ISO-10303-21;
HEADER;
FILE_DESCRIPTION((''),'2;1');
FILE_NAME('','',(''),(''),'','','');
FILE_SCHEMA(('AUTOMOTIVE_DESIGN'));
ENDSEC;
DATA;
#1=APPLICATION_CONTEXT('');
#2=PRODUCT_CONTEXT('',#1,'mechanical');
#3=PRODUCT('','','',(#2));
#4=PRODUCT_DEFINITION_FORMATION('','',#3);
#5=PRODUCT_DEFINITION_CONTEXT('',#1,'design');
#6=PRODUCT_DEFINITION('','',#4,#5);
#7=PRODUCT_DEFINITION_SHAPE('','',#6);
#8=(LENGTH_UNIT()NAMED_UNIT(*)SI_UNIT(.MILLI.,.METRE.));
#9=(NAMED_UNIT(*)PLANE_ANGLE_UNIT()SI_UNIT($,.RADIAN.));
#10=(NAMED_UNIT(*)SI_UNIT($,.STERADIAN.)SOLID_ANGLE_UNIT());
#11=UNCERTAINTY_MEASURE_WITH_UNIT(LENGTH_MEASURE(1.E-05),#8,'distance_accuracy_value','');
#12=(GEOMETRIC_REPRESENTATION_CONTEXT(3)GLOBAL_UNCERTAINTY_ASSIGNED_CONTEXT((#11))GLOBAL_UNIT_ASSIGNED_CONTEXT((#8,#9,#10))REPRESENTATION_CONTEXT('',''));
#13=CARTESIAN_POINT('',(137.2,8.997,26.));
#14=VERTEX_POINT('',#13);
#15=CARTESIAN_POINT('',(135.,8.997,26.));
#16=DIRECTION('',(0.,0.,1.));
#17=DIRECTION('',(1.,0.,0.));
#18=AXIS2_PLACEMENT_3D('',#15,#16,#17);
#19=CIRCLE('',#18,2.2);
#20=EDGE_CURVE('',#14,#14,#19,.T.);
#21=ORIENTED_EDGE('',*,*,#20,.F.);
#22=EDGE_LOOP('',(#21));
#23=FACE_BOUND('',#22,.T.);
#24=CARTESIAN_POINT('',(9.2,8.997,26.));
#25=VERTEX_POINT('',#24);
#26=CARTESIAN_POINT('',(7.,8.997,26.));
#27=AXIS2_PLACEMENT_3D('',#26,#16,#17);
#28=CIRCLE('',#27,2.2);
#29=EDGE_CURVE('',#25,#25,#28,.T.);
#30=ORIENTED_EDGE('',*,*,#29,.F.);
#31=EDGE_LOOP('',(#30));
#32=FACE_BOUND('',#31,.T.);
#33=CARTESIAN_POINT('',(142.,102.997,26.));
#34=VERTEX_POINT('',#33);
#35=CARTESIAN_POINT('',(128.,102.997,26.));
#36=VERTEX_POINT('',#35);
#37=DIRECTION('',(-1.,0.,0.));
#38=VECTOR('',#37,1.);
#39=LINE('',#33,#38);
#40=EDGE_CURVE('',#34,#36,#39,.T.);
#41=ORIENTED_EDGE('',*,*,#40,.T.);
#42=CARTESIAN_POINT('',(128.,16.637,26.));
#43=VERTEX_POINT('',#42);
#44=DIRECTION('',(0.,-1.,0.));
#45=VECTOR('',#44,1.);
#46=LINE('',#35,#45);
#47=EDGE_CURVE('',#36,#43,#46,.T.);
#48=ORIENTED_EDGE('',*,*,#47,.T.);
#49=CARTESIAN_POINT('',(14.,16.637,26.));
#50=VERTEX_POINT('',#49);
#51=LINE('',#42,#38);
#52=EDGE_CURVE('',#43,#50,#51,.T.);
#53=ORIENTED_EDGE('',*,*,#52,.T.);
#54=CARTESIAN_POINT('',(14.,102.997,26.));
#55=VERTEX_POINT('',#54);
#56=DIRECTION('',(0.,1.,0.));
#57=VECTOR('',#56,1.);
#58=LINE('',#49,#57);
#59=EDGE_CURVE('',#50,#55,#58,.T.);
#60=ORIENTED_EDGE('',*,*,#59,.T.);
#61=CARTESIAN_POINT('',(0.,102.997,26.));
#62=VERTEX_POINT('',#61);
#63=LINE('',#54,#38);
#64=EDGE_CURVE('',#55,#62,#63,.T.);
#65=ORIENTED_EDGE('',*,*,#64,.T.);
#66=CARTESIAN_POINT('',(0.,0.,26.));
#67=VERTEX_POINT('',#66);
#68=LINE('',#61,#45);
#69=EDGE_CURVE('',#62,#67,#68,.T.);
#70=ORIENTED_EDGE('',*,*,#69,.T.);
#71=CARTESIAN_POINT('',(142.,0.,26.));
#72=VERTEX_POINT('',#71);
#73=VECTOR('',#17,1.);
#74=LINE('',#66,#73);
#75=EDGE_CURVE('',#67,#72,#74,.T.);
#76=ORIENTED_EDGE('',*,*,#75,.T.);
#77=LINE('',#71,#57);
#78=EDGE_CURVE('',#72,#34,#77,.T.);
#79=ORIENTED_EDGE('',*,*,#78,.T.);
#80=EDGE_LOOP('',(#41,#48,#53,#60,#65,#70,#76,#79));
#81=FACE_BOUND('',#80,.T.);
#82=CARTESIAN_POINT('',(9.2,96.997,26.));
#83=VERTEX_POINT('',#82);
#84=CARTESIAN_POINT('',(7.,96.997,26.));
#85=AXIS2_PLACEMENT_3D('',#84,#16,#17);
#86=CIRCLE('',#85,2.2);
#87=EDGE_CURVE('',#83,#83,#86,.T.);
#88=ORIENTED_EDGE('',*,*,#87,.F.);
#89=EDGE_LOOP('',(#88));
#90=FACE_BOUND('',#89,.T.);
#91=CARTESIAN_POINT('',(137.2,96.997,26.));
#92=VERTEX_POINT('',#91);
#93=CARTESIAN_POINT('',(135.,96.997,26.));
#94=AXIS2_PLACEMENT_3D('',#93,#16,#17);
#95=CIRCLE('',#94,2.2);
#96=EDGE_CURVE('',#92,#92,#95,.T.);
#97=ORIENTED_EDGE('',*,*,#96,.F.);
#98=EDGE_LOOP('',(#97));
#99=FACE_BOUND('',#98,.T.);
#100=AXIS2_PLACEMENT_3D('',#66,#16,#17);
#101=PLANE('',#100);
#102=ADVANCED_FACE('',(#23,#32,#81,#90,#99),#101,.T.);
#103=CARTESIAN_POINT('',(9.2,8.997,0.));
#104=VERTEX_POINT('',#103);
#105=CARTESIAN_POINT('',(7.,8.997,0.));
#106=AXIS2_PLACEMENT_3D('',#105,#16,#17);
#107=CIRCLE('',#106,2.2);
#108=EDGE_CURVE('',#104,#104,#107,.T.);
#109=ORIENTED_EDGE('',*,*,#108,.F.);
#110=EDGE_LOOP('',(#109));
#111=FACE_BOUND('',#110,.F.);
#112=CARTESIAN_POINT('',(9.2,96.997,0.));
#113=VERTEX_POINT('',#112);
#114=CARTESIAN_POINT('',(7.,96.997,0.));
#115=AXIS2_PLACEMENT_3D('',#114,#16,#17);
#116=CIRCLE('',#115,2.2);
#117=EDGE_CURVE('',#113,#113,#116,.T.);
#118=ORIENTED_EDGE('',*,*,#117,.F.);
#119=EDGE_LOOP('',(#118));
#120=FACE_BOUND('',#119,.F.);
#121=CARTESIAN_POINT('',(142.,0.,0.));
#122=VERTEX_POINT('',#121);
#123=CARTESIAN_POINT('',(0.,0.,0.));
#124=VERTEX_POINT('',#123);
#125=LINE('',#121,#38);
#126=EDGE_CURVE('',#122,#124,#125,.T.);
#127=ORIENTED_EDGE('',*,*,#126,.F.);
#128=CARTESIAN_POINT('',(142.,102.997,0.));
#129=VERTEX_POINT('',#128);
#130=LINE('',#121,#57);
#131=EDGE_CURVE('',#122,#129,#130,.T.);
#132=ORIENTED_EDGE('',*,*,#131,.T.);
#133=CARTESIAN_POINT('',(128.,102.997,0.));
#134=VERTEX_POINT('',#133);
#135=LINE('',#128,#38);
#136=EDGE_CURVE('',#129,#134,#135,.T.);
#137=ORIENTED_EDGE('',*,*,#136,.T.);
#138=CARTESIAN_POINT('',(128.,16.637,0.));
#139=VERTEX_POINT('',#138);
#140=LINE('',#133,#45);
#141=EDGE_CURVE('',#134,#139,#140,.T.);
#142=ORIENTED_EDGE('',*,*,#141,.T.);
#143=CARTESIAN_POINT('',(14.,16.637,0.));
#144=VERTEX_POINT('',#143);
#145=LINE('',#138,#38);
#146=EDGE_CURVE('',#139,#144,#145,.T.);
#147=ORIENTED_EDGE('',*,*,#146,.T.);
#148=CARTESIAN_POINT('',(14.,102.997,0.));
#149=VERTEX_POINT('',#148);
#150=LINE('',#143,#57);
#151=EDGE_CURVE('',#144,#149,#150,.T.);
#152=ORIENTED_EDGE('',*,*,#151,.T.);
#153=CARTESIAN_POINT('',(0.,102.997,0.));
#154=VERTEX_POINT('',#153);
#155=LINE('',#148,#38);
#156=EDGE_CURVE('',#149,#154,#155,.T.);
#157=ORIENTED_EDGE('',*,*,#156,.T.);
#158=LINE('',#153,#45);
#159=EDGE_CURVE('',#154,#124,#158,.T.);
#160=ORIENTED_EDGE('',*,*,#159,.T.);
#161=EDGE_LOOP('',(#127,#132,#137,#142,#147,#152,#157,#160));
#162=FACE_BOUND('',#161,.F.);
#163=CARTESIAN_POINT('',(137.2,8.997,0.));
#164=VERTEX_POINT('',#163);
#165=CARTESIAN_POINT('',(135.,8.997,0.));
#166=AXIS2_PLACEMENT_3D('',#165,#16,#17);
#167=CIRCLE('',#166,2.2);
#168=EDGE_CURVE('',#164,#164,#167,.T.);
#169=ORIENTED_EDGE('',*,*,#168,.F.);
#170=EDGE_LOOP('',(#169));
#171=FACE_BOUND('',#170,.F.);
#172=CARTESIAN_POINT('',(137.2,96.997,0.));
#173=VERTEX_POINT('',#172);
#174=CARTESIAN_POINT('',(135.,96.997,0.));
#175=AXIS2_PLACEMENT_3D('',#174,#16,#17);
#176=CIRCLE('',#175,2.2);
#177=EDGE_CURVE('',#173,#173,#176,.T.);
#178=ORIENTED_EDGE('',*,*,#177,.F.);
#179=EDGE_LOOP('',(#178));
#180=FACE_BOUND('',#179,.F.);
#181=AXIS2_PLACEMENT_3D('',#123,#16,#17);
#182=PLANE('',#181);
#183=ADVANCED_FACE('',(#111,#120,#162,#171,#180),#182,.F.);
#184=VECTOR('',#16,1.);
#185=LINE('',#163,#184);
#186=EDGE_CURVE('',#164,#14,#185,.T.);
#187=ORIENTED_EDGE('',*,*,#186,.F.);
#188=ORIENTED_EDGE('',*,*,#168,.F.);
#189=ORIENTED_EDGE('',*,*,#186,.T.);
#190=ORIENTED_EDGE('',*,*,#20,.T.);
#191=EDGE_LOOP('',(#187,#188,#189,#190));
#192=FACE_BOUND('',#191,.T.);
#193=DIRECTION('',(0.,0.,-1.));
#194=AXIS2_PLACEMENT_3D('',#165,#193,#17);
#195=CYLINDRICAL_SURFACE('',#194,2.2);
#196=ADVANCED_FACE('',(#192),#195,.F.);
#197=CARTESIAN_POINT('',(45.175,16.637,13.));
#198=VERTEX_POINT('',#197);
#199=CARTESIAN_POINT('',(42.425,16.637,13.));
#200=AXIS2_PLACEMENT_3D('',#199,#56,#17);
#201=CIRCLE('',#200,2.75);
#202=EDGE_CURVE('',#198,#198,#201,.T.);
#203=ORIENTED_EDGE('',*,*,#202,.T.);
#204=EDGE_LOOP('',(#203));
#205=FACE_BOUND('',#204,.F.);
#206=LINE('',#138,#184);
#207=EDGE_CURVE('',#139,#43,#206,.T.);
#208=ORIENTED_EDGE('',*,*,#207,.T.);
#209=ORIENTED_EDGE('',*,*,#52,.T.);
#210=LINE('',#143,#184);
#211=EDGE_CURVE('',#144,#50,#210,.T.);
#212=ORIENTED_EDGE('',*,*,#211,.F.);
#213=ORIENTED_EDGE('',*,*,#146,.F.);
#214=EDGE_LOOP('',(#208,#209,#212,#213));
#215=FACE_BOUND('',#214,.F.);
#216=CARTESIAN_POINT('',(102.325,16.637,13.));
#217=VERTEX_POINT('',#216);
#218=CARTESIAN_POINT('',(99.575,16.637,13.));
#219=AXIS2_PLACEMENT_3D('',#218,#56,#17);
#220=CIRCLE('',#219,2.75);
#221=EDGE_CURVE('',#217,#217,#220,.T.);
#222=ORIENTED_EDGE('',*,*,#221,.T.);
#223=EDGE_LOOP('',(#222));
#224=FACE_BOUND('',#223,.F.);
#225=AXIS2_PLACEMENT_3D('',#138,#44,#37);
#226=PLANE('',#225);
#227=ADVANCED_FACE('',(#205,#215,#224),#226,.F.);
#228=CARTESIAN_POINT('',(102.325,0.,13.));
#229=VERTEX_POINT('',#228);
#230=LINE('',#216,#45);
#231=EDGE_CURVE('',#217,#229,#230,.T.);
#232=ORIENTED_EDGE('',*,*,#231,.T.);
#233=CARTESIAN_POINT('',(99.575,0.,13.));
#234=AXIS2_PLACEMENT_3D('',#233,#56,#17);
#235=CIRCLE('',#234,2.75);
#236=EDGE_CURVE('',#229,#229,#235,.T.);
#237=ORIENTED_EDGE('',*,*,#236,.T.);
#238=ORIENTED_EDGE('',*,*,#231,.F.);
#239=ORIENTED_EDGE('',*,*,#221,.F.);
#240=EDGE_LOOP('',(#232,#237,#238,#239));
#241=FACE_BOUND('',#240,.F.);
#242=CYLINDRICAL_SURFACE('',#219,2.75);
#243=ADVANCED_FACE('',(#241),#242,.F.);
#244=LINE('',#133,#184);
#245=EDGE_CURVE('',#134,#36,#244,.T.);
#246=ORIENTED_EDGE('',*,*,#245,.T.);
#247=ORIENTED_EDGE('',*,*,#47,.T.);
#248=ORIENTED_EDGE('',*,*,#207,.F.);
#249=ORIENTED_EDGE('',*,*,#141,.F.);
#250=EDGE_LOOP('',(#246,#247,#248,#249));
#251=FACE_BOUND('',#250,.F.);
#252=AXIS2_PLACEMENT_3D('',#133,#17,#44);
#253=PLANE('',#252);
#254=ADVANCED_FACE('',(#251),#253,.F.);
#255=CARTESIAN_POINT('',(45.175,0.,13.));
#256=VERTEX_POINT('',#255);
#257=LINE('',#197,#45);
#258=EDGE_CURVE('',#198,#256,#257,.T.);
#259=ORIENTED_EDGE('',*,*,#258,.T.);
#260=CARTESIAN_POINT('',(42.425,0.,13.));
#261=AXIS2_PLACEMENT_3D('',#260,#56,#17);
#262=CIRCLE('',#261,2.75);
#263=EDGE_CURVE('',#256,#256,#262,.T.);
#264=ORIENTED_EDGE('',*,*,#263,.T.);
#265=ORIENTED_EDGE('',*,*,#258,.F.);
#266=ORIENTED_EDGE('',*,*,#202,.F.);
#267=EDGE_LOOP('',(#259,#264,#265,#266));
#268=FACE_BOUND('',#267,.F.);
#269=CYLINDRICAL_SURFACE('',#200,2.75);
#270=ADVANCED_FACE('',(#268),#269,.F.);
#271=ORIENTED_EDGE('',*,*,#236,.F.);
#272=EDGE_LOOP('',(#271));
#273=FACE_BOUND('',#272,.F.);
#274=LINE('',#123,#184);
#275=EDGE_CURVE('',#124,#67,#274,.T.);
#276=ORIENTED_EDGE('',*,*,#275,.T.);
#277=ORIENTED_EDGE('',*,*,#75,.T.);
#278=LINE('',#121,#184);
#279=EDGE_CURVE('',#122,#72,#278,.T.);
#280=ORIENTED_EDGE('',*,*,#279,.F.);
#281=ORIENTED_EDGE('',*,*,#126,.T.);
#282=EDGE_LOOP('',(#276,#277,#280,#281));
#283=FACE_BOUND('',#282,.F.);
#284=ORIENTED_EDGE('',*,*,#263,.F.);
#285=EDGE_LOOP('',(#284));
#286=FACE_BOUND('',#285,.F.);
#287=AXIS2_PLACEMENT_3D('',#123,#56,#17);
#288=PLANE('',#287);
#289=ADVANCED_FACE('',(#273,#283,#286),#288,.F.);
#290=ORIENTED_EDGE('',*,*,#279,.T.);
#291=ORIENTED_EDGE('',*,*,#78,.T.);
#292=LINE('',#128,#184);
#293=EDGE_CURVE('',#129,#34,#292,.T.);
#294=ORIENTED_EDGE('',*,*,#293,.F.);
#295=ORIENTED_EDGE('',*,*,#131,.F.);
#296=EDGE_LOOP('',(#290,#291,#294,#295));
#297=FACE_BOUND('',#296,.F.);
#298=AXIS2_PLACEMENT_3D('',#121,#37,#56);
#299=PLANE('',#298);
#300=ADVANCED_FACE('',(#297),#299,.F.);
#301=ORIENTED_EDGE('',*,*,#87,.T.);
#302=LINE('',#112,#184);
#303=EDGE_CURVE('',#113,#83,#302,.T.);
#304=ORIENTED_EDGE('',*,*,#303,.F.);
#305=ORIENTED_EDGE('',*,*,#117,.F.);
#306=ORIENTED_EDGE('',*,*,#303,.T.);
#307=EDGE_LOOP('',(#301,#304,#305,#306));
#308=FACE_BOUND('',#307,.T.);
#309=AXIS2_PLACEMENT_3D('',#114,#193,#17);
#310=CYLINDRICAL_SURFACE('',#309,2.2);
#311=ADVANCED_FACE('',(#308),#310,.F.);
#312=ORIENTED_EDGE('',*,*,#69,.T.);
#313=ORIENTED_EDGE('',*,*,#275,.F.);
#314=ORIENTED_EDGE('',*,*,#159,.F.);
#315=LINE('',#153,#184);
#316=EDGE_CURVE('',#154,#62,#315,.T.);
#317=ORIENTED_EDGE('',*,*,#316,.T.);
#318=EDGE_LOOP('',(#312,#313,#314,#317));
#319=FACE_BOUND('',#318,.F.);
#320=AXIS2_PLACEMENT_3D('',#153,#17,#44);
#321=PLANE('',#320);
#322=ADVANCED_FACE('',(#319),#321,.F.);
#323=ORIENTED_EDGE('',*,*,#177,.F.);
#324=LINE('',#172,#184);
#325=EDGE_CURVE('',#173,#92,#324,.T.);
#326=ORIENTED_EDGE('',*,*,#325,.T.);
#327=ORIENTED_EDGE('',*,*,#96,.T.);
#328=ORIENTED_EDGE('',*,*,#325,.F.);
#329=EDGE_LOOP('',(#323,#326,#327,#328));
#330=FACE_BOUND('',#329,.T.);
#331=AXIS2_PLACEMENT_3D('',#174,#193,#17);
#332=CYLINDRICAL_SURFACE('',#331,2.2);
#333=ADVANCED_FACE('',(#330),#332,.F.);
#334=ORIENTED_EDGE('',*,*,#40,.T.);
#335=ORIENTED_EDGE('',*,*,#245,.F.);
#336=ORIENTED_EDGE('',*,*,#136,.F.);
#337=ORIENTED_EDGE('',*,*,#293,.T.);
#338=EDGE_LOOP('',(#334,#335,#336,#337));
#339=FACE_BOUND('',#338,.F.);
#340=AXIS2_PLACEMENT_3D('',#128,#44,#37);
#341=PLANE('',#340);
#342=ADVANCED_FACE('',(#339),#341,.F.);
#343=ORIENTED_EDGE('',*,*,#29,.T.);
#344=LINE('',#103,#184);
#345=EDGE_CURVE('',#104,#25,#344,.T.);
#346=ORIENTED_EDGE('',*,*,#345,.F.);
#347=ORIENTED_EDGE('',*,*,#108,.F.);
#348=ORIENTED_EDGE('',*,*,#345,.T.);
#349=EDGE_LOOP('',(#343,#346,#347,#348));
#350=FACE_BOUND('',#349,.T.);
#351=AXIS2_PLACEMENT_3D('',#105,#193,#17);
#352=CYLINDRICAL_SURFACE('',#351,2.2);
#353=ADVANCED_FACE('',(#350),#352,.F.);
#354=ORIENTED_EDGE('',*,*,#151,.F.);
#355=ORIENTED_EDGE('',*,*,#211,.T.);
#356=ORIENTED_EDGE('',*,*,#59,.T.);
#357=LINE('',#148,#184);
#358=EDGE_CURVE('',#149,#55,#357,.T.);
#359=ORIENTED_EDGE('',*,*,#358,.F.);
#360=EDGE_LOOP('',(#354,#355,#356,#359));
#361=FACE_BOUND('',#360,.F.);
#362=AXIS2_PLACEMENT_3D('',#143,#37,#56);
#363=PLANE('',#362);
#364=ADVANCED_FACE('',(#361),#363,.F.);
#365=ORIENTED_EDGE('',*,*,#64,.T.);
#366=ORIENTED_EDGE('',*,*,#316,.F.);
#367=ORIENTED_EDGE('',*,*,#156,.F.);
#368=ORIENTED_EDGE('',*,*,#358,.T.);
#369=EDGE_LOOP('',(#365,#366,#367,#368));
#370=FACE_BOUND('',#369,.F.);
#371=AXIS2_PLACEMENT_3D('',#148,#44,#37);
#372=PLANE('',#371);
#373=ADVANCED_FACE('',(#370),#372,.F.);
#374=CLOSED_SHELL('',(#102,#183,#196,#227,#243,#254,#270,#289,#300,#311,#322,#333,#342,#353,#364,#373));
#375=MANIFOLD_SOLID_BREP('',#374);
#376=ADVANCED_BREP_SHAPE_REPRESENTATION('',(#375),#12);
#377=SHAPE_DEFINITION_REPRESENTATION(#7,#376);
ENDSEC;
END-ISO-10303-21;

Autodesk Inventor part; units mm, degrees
ref_plane "YZ Plane" through (0, 0, 0) normal (1, 0, 0) x (0, 1, 0)
ref_plane "XZ Plane" through (0, 0, 0) normal (0, 1, 0) x (-1, 0, 0)
ref_plane "XY Plane" through (0, 0, 0) normal (0, 0, 1) x (1, 0, 0)
sketch "Sketch1" plane through (0, 0, 0) normal (0, 0, 1) x (1, 0, 0)
  line L0 (0, 102.997) -> (0, 0)
  line L1 (0, 0) -> (142, 0)
  line L2 (142, 0) -> (142, 102.997)
  line L3 (142, 102.997) -> (128, 102.997)
  line L4 (128, 102.997) -> (128, 16.637)
  line L5 (128, 16.637) -> (14, 16.637)
  line L6 (14, 16.637) -> (14, 102.997)
  line L7 (14, 102.997) -> (0, 102.997)
  circle A0 centre (7, 96.997) radius 2.2
  circle A1 centre (135, 96.997) radius 2.2
  circle A2 centre (7, 8.997) radius 2.2
  circle A3 centre (135, 8.997) radius 2.2
  line L8 (14, 102.997) -> (128, 102.997)
  line L9 (28, 102.997) -> (114, 102.997)
  line L10 (114, 0) -> (28, 0)
  line L11 (135, 96.997) -> (135, 8.997) construction
  line L12 (7, 96.997) -> (7, 8.997) construction
  point P0 (71, 102.997)
  dimension "d0" = 102.997
  dimension "d3" = 14
  dimension "d4" = 86.36
  dimension "d44" = 4.4
  dimension "d45" = 4.4
  dimension "d46" = 128
  dimension "d47" = 7
  dimension "d48" = 14
  dimension "d49" = 7
  dimension "d50" = 114
  dimension "d51" = 4.4
  dimension "d52" = 4.4
  dimension "d53" = 88
  dimension "d54" = 88
  dimension "d55" = 6
  dimension "d56" = 6
  dimension "d84" = 128
extrude "Extrusion1" add sketch "Sketch1" along normal blind 26 contours L7 L6 L5 L4 L3 L2 L1 L0
sketch "Sketch5" plane through (14, 16.637, 0) normal (0, 1, 0) x (1, 0, 0)
  line L0 (0, 0) -> (0, -26) projected
  line L1 (114, 0) -> (114, -26) projected
  line L2 (114, 0) -> (0, 0) construction
  line L3 (57, 0) -> (57, -26) construction
  line L4 (0, -13) -> (114, -13) construction
  circle A0 centre (28.425, -13) radius 2.75
  circle A1 centre (85.575, -13) radius 2.75
  point P0 (-14, 0)
  dimension "d57" = 5.5
  dimension "d58" = 28.575
extrude "Extrusion2" cut sketch "Sketch5" against normal blind 26
equation "\"d3\" = d48"
equation "\"d44\" = d45"
equation "\"d47\" = 0.5 * d48"
equation "\"d49\" = 0.5 * d3"
equation "\"d51\" = d44"
equation "\"d52\" = d45"
equation "\"d54\" = d53"
equation "\"d56\" = d55"
properties part number "Vertical Electronics Spacer"
